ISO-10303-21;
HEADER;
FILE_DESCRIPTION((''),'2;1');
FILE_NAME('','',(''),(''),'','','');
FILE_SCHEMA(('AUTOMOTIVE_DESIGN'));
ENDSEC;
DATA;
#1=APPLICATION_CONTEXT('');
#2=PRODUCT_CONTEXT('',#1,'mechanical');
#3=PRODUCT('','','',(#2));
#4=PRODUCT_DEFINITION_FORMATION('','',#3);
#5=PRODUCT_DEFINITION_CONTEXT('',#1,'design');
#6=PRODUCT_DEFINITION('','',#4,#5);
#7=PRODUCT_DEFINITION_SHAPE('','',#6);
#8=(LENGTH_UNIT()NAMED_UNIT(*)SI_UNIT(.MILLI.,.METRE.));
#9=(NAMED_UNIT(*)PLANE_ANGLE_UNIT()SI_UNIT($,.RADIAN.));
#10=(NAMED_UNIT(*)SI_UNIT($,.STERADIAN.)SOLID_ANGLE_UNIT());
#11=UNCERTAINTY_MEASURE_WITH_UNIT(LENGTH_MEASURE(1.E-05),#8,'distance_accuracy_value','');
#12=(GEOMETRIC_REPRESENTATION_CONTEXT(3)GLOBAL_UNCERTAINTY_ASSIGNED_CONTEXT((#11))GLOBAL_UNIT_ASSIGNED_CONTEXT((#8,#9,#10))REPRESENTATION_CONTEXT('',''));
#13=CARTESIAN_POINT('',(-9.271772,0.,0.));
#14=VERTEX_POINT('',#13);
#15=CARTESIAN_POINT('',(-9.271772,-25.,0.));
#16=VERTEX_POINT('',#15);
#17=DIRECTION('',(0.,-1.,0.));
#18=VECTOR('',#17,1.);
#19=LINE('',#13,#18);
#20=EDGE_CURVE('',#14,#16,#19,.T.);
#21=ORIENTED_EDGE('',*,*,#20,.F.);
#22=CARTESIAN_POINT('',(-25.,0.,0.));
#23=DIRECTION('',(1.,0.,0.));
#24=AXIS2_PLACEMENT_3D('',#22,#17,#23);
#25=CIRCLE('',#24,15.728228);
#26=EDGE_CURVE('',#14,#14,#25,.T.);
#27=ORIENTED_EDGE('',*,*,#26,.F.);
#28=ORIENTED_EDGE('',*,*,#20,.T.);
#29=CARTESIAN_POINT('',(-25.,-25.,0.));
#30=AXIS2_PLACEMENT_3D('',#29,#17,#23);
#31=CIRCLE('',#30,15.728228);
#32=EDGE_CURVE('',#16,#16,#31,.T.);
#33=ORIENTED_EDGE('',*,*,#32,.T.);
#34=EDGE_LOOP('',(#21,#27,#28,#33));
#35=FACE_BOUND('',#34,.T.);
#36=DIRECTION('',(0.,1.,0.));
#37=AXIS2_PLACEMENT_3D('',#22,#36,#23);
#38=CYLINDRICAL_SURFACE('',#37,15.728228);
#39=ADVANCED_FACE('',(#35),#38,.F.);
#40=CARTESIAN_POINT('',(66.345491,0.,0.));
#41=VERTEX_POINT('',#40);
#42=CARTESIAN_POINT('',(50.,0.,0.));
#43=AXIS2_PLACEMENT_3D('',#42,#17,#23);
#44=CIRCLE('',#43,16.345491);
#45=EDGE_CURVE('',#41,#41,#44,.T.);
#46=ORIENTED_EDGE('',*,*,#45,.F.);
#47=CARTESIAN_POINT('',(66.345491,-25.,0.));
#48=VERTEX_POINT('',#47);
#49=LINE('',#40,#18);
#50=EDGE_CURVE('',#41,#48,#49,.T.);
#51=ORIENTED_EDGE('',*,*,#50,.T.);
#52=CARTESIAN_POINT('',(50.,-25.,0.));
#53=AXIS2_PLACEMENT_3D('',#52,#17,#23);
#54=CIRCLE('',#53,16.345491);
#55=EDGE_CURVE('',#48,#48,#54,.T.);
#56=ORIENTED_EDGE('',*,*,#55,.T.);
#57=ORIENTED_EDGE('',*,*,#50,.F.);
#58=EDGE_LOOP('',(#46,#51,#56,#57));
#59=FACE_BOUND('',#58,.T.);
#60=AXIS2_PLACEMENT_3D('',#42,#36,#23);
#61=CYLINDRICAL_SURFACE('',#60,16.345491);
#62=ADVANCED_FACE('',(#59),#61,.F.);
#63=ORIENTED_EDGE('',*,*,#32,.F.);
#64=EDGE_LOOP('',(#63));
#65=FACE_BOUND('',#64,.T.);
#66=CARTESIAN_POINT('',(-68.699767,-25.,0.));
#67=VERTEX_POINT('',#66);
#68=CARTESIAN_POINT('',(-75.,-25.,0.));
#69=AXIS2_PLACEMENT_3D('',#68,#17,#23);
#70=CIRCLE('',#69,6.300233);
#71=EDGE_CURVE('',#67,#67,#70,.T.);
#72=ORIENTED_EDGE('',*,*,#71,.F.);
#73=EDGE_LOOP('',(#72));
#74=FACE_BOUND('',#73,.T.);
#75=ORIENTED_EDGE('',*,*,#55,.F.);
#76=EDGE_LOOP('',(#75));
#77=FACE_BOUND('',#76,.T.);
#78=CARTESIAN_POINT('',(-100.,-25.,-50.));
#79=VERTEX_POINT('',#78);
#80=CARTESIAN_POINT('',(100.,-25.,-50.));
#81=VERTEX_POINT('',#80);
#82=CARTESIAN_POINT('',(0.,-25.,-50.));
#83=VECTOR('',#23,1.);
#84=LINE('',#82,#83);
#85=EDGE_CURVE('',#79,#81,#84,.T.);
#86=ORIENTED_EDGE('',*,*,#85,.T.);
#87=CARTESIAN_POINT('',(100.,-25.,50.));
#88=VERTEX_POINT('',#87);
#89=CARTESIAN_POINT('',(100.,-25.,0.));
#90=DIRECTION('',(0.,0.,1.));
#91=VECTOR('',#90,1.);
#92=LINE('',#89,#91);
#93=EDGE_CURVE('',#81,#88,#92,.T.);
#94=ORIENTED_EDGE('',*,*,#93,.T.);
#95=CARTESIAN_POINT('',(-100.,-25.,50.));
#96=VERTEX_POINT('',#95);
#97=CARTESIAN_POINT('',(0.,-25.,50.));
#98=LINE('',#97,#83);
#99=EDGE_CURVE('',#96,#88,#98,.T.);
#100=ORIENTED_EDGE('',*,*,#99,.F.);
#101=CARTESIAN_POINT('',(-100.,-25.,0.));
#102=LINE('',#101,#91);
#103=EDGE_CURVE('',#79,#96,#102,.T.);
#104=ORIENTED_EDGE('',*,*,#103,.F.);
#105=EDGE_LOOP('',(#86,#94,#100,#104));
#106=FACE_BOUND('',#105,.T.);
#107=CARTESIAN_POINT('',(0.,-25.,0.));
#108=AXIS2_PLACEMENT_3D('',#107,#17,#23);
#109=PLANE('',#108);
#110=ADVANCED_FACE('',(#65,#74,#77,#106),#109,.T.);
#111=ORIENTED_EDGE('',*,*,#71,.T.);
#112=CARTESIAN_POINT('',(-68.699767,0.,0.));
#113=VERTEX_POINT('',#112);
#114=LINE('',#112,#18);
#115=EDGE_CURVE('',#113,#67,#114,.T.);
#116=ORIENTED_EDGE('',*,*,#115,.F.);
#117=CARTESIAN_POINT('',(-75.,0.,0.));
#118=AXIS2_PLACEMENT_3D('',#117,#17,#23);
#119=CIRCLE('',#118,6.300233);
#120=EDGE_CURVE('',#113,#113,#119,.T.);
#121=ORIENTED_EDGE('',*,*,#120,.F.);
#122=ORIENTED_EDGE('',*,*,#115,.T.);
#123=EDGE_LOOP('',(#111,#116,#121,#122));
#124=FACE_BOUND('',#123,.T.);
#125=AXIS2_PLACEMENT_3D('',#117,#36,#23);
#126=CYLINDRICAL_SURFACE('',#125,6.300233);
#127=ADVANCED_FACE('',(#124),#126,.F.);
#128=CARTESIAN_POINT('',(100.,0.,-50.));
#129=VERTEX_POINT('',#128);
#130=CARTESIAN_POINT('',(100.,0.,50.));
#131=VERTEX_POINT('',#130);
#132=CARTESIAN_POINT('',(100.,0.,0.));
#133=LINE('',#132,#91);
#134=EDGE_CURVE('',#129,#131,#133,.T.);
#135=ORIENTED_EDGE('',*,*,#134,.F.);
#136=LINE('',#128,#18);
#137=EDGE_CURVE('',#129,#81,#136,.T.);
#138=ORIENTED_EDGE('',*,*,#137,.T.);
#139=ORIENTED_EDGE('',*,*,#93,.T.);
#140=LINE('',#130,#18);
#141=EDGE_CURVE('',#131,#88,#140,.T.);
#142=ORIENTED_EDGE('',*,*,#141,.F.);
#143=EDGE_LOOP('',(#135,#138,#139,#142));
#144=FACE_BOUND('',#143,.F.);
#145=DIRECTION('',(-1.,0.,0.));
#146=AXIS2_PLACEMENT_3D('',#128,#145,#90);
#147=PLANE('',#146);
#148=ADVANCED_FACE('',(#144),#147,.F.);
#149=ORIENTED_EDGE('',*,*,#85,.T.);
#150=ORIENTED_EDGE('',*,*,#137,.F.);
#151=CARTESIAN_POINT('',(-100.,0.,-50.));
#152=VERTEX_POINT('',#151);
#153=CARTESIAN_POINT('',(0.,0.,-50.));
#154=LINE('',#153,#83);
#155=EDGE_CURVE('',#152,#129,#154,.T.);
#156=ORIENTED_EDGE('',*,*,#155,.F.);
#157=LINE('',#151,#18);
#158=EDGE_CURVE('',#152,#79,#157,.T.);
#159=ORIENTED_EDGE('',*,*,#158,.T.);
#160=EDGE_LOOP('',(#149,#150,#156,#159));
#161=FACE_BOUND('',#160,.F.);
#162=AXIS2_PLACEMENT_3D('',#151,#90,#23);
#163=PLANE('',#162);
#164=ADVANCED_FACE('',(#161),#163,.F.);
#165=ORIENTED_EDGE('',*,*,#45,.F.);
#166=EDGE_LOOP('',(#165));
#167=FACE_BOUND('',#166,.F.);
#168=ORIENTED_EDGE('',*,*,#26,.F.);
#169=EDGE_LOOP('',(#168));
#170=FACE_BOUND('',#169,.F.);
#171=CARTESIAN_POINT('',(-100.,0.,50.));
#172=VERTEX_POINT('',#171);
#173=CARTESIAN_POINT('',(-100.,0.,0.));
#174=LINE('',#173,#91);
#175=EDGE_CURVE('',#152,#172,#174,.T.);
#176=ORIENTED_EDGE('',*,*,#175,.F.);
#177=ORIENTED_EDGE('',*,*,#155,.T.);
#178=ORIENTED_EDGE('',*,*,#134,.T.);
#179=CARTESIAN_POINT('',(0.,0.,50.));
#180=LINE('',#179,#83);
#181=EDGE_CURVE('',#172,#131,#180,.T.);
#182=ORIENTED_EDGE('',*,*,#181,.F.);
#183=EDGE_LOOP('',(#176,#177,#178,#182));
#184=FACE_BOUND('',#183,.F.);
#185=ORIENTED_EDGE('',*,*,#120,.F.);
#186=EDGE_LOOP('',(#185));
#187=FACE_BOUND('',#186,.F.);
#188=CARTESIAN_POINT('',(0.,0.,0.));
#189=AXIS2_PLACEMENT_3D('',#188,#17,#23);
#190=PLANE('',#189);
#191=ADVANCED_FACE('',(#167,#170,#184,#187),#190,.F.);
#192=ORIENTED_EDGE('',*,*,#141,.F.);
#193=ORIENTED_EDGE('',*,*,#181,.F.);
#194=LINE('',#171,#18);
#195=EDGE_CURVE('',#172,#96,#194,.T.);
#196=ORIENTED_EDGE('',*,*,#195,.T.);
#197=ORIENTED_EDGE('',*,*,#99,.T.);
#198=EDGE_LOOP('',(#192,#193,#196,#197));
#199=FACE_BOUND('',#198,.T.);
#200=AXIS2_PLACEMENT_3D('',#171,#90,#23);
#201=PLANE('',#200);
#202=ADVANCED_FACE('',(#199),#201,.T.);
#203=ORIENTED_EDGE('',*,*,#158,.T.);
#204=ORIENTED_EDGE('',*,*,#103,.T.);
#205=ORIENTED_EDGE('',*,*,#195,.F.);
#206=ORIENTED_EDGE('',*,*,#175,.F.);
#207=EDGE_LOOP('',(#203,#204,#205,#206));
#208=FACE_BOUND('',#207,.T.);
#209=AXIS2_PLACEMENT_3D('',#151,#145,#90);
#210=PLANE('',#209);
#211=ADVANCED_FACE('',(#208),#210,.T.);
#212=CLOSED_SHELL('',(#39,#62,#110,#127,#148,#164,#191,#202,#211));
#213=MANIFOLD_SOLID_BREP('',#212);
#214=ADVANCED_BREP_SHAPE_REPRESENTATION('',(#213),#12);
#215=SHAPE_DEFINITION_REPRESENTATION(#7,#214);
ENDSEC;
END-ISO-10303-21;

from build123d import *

# Parameters (mm, degrees)
F0_W     = 200
F0_H     = 100
F0_R     = 6.300233
F0_R_2   = 15.728228
F0_R_3   = 16.345491
F1_DEPTH = 25


with BuildPart() as f1:
    # F0 (on Front) → F1 (new body)
    with BuildSketch(Plane.XZ):
        Rectangle(F0_W, F0_H)
        with Locations((-75, 0)):
            Circle(F0_R, mode=Mode.SUBTRACT)
        with Locations((-25, 0)):
            Circle(F0_R_2, mode=Mode.SUBTRACT)
        with Locations((50, 0)):
            Circle(F0_R_3, mode=Mode.SUBTRACT)
    extrude(amount=F1_DEPTH)


solid = f1.part
